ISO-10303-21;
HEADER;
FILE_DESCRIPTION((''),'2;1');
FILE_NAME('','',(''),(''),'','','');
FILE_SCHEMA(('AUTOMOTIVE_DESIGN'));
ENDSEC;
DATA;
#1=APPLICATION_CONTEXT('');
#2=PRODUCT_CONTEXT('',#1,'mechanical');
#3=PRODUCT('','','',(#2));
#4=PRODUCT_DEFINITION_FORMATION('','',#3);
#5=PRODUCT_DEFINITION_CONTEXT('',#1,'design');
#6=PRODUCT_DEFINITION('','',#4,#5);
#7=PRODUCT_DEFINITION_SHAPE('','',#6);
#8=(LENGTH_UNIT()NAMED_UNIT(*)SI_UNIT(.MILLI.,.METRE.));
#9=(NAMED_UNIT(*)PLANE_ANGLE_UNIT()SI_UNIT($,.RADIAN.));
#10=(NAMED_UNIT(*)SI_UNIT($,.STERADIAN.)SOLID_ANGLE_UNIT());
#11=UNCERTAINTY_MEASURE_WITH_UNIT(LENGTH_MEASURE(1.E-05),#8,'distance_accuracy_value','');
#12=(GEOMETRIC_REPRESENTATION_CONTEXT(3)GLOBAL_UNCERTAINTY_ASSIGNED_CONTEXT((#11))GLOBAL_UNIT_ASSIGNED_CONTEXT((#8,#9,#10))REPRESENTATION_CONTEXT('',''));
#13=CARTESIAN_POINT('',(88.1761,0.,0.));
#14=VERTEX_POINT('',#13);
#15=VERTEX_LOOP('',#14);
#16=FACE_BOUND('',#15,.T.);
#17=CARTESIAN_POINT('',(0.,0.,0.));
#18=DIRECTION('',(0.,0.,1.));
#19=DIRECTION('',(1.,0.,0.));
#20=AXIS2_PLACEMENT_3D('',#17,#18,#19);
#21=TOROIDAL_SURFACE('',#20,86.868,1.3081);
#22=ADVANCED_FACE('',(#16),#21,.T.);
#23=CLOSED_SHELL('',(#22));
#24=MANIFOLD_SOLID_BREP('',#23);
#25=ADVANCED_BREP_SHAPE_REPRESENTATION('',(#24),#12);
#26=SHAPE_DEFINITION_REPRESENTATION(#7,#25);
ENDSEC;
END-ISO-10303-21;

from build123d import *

# Parameters (mm, degrees)
SKETCH1_R = 1.3081


with BuildPart() as part:
    # Sketch1 → Revolve1 (revolve)
    with BuildSketch(Plane(origin=(0, 0, 0), x_dir=(0, -1, 0), z_dir=(1, 0, 0))):
        with Locations((86.868, 0)):
            Circle(SKETCH1_R)
    revolve(axis=Axis((0, 0, 1.3081), (0, 0, -1)))


solid = part.part
